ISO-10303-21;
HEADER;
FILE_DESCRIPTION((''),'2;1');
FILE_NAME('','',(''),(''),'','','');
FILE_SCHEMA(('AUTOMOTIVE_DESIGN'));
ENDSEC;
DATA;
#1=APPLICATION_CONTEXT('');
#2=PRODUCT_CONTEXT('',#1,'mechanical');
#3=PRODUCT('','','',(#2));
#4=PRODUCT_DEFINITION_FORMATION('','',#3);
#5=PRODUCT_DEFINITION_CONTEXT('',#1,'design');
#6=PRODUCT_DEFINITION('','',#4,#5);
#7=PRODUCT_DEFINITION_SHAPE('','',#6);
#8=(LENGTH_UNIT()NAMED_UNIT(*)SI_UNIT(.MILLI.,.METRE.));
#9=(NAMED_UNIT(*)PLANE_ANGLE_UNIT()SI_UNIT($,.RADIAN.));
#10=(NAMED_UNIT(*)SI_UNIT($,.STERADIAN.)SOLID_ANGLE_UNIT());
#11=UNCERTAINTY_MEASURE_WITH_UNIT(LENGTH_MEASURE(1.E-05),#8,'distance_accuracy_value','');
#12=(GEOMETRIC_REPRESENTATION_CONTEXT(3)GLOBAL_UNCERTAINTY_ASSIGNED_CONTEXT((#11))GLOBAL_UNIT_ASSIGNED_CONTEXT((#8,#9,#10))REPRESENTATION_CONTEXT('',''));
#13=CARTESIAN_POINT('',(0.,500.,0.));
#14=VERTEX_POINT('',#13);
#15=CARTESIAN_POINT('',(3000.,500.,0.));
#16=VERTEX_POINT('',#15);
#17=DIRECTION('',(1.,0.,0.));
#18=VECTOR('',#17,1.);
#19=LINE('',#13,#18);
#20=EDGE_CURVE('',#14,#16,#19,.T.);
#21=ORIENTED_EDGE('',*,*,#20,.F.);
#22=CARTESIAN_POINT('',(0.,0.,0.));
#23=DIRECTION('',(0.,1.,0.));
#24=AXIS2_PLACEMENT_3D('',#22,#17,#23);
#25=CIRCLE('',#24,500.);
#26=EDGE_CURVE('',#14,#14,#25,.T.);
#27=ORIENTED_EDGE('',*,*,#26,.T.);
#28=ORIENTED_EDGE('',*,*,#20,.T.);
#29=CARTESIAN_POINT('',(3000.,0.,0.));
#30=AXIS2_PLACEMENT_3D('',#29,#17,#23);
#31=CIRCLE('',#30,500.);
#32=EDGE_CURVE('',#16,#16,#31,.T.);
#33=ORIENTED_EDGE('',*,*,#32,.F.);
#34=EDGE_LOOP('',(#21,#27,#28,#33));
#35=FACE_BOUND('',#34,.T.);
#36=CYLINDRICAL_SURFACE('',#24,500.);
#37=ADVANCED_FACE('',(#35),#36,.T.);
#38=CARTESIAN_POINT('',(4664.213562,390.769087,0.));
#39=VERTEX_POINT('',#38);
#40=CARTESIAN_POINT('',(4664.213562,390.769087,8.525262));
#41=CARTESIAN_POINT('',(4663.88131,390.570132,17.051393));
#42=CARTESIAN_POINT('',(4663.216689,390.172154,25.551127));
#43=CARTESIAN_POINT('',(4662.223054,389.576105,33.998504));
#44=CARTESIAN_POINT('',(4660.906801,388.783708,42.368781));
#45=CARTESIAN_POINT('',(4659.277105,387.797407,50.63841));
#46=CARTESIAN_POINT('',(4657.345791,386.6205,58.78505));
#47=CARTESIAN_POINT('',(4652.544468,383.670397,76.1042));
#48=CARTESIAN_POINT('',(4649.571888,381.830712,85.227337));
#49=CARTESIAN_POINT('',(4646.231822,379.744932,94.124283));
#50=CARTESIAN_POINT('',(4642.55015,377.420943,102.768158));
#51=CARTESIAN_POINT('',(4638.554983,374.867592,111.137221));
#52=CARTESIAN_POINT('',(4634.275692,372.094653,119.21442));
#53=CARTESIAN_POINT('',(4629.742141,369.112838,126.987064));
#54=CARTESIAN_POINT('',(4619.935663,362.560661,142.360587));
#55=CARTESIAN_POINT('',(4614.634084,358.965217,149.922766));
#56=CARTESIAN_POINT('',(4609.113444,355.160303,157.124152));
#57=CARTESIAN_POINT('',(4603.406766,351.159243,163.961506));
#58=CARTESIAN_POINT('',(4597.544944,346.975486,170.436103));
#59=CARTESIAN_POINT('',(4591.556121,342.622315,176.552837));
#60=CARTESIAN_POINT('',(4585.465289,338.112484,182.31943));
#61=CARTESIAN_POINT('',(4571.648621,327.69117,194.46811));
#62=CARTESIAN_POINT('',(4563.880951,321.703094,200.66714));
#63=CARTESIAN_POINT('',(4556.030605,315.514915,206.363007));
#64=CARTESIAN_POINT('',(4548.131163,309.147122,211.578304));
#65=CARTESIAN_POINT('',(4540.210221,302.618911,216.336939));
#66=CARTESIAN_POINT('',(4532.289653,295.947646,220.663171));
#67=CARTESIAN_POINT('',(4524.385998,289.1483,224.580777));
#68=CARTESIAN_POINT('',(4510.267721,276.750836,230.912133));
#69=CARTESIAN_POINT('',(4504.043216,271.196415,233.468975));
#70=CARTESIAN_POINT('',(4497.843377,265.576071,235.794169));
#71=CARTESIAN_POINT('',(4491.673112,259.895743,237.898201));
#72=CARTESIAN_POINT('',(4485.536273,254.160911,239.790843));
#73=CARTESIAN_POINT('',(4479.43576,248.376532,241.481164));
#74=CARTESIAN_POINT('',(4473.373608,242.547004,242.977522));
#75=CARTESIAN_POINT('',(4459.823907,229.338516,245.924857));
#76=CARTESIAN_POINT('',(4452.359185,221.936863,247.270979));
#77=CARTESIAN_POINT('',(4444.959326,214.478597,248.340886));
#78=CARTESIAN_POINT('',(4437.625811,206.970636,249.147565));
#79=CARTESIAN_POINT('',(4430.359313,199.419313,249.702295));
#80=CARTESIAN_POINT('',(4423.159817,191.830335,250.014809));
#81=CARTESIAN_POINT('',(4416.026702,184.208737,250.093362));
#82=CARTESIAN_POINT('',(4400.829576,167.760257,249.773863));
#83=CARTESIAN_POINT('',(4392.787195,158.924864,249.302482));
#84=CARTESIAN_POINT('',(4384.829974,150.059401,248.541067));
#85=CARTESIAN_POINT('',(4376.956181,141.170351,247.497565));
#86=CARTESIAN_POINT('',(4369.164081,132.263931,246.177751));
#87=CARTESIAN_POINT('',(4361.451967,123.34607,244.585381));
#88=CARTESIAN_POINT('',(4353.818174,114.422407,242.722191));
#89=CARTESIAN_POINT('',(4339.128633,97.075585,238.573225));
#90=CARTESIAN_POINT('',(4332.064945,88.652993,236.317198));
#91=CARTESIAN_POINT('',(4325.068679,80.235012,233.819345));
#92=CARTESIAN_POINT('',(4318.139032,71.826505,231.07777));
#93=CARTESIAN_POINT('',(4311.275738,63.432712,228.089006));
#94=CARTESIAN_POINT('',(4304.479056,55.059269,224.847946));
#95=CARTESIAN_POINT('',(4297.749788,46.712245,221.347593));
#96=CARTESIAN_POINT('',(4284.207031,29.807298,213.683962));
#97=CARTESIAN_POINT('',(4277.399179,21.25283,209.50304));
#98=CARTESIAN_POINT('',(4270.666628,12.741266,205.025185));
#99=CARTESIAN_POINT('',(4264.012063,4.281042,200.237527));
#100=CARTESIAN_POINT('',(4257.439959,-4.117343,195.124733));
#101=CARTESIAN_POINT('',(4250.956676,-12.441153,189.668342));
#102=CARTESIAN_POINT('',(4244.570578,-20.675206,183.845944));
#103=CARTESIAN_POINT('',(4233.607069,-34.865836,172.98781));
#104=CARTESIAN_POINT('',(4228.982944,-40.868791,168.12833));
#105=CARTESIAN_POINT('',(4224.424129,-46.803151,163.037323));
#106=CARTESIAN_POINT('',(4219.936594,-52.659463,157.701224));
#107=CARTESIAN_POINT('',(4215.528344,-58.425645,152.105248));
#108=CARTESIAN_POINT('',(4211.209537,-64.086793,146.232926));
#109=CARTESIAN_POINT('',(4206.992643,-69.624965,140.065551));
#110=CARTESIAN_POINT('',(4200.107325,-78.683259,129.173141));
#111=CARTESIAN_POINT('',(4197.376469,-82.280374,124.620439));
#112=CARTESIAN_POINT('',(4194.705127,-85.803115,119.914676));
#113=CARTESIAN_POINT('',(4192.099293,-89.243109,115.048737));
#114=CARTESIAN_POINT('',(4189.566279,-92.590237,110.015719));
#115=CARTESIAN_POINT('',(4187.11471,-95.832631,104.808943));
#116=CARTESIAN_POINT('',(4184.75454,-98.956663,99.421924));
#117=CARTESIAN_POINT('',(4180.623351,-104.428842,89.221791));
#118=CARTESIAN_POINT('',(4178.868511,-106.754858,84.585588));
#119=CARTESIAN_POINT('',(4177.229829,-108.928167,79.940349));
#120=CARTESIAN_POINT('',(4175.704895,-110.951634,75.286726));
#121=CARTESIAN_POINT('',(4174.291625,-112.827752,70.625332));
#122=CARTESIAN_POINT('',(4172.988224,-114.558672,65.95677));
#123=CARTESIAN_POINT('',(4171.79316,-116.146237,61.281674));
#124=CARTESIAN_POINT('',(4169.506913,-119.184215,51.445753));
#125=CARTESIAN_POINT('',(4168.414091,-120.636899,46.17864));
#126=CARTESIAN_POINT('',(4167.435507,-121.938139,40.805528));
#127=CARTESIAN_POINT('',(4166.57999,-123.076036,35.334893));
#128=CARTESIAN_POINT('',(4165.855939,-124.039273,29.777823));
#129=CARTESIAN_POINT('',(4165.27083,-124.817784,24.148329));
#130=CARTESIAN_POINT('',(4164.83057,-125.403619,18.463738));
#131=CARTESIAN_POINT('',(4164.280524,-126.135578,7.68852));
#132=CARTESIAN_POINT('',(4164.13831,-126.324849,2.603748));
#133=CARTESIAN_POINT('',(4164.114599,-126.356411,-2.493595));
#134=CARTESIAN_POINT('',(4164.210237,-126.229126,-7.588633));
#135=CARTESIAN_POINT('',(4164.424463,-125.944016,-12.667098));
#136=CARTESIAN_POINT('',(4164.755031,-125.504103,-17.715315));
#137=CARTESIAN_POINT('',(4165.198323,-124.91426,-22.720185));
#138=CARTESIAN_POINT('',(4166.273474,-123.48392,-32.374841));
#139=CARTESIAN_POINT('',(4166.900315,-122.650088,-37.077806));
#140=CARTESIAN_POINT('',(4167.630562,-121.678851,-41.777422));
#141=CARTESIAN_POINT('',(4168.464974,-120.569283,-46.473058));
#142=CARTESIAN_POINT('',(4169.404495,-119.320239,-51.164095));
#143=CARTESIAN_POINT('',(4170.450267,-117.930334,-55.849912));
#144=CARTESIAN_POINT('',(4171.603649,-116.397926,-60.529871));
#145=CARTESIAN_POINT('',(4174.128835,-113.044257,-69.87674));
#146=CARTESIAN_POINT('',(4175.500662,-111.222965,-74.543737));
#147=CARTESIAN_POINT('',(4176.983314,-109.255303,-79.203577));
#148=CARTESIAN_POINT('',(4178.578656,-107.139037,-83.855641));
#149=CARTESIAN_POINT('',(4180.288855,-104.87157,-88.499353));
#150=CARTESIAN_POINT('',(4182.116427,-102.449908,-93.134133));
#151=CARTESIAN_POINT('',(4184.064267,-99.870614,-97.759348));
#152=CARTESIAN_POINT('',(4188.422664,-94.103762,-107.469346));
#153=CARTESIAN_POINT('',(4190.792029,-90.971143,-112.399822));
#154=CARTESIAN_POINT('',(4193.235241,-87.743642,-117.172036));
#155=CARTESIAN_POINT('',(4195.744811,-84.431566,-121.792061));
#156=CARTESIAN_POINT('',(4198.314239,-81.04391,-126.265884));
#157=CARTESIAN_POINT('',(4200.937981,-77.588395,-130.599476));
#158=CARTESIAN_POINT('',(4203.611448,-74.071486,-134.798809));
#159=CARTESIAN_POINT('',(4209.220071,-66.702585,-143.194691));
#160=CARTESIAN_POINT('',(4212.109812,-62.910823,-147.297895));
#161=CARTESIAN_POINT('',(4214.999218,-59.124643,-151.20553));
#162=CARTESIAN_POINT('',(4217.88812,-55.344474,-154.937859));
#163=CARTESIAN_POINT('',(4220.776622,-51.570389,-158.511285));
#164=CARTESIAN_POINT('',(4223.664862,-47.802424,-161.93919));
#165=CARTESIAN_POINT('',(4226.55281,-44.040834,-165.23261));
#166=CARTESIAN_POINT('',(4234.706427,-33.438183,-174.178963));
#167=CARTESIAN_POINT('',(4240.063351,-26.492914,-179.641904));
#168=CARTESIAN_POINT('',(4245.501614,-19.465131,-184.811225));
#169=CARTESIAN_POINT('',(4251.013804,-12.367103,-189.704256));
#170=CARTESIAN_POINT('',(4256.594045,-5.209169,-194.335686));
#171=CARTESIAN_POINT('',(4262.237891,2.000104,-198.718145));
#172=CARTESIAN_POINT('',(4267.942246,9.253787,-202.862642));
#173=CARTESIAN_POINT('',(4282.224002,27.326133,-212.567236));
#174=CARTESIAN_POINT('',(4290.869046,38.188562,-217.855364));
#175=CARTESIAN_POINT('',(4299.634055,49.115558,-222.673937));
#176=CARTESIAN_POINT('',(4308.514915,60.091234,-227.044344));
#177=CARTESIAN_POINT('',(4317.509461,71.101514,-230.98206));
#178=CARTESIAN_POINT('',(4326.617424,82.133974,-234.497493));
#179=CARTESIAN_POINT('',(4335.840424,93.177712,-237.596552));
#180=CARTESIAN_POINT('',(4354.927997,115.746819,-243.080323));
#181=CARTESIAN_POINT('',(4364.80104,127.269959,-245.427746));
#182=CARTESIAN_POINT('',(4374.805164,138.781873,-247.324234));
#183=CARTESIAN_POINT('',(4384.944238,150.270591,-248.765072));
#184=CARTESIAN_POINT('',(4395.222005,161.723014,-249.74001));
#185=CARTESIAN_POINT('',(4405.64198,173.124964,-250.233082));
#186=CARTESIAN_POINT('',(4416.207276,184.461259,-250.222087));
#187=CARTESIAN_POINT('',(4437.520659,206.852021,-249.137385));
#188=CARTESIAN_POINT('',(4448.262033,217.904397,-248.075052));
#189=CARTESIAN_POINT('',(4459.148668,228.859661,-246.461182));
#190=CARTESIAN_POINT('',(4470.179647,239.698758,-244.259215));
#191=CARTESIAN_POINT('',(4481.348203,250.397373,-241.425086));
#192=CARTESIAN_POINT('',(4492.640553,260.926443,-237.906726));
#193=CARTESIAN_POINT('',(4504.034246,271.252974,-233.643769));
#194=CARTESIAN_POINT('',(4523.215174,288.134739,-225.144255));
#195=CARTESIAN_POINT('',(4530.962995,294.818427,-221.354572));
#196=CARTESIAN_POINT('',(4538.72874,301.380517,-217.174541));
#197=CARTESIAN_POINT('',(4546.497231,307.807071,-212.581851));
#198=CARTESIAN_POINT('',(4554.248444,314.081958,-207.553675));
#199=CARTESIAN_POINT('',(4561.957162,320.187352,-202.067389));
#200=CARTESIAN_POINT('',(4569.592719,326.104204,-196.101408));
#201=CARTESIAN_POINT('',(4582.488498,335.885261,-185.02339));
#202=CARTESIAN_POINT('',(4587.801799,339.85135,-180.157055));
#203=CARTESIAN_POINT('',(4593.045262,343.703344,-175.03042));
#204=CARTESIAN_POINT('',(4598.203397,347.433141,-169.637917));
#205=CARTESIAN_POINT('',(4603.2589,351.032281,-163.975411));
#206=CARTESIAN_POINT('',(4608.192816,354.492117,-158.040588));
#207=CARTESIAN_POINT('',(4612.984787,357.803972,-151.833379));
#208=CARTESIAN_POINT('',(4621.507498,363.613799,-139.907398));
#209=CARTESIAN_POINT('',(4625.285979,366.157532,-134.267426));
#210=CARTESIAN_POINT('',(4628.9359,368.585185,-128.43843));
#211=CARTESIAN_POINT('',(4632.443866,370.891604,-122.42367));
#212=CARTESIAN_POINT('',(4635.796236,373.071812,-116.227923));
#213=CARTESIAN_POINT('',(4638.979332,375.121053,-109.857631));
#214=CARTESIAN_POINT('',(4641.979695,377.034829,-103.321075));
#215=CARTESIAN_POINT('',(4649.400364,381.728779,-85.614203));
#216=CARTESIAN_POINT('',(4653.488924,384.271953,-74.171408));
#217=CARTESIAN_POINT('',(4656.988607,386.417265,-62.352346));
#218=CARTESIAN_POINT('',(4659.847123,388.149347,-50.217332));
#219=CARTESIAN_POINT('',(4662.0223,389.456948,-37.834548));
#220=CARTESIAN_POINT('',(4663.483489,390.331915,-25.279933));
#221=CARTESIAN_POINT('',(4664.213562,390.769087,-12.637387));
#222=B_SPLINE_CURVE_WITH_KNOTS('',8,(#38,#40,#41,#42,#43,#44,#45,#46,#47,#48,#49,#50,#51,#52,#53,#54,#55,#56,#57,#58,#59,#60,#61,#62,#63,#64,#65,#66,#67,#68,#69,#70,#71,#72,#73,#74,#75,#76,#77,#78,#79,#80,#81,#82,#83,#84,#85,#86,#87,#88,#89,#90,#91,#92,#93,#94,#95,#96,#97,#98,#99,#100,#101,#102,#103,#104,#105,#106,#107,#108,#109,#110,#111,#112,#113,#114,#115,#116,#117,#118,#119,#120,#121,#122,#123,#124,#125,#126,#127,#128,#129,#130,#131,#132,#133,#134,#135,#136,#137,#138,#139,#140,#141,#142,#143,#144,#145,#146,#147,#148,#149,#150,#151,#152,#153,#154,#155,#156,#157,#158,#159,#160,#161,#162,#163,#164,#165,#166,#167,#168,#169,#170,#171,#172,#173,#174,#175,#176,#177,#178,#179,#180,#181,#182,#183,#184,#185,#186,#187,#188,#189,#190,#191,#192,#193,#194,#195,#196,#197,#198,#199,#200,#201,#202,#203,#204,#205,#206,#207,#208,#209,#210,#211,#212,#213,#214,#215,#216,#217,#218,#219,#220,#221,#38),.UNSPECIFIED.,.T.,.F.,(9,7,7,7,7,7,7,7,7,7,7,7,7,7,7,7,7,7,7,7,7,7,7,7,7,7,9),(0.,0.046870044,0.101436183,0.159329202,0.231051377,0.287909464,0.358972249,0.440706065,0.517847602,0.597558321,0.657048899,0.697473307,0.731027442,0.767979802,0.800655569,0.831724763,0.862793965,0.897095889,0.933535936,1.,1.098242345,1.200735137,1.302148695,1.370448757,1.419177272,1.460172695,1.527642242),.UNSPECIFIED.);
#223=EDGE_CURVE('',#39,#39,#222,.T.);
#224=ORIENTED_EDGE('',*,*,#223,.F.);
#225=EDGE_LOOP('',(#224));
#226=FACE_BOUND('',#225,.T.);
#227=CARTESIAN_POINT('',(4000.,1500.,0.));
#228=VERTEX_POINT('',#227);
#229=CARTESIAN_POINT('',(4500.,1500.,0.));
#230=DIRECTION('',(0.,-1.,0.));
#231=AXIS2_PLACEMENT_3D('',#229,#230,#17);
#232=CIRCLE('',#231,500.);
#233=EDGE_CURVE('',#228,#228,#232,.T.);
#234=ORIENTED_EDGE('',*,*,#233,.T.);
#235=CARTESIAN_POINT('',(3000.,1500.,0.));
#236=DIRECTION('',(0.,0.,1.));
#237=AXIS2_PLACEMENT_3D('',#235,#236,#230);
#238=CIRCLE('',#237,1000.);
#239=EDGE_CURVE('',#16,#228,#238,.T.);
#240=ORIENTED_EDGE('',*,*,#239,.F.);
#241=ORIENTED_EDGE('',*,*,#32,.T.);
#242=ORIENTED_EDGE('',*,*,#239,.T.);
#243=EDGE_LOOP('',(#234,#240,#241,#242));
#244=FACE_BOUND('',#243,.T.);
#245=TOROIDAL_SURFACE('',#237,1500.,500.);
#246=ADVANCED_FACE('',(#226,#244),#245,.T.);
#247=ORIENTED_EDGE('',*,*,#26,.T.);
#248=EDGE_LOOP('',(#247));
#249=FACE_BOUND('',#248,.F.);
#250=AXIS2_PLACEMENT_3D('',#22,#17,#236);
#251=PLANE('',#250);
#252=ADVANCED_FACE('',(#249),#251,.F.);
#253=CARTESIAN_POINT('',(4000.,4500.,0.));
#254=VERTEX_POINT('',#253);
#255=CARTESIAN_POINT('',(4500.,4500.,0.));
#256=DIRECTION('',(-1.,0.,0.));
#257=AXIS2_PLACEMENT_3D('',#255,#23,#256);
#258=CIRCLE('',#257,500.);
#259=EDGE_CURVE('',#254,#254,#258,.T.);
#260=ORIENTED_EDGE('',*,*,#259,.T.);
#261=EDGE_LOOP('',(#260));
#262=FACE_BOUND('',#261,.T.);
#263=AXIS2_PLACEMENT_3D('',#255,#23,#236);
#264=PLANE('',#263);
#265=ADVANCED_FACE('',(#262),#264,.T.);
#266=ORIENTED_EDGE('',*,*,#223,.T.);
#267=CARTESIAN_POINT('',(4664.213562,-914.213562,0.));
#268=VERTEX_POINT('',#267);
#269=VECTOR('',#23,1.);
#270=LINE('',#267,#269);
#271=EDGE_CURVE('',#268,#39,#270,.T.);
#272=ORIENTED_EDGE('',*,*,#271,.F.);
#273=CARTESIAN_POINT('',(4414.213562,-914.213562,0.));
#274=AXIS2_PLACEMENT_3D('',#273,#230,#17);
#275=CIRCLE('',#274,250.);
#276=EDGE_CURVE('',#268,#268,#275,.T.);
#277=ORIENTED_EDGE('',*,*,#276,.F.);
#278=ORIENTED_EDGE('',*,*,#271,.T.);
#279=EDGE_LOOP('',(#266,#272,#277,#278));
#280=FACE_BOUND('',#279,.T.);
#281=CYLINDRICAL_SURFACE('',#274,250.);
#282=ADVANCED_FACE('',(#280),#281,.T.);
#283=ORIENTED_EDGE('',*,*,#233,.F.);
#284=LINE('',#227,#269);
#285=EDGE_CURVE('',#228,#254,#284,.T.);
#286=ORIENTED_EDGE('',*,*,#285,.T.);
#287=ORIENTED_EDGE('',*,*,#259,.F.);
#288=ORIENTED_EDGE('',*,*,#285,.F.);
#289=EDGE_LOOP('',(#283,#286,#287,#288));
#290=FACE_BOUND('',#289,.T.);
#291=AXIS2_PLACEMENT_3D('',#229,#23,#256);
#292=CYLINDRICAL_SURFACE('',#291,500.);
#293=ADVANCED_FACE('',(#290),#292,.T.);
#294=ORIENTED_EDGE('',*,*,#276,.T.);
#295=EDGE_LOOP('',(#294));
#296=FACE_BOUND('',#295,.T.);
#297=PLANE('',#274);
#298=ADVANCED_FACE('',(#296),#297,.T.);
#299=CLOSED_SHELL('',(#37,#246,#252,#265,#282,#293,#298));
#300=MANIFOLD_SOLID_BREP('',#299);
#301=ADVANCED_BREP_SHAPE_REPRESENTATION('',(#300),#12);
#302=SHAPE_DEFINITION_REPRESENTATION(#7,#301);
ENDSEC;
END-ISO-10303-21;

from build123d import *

# Parameters (mm, degrees)
F1_R     = 500
F4_R     = 250
F5_DEPTH = 1304.9826492664


with BuildPart() as f2:
    # F2: sweep along a path in F0
    with BuildLine(Plane.XY) as f2_path:
        Line((0, 0), (3000, 0))
        ThreePointArc((3000, 0), (4060.6601717798, 439.3398282202), (4500, 1500))
        Line((4500, 1500), (4500, 4500))
    # F1 (on Right) → F2 (sweep)
    with BuildSketch(Plane.YZ):
        Circle(F1_R)
    sweep(path=f2_path.line)

    # F4 (on plane+point) → F5 (join, through all)
    with BuildSketch(Plane.XZ.offset(914.2135623731)):
        with Locations((4414.2135623731, 0)):
            Circle(F4_R)
    extrude(amount=-F5_DEPTH)


solid = f2.part
